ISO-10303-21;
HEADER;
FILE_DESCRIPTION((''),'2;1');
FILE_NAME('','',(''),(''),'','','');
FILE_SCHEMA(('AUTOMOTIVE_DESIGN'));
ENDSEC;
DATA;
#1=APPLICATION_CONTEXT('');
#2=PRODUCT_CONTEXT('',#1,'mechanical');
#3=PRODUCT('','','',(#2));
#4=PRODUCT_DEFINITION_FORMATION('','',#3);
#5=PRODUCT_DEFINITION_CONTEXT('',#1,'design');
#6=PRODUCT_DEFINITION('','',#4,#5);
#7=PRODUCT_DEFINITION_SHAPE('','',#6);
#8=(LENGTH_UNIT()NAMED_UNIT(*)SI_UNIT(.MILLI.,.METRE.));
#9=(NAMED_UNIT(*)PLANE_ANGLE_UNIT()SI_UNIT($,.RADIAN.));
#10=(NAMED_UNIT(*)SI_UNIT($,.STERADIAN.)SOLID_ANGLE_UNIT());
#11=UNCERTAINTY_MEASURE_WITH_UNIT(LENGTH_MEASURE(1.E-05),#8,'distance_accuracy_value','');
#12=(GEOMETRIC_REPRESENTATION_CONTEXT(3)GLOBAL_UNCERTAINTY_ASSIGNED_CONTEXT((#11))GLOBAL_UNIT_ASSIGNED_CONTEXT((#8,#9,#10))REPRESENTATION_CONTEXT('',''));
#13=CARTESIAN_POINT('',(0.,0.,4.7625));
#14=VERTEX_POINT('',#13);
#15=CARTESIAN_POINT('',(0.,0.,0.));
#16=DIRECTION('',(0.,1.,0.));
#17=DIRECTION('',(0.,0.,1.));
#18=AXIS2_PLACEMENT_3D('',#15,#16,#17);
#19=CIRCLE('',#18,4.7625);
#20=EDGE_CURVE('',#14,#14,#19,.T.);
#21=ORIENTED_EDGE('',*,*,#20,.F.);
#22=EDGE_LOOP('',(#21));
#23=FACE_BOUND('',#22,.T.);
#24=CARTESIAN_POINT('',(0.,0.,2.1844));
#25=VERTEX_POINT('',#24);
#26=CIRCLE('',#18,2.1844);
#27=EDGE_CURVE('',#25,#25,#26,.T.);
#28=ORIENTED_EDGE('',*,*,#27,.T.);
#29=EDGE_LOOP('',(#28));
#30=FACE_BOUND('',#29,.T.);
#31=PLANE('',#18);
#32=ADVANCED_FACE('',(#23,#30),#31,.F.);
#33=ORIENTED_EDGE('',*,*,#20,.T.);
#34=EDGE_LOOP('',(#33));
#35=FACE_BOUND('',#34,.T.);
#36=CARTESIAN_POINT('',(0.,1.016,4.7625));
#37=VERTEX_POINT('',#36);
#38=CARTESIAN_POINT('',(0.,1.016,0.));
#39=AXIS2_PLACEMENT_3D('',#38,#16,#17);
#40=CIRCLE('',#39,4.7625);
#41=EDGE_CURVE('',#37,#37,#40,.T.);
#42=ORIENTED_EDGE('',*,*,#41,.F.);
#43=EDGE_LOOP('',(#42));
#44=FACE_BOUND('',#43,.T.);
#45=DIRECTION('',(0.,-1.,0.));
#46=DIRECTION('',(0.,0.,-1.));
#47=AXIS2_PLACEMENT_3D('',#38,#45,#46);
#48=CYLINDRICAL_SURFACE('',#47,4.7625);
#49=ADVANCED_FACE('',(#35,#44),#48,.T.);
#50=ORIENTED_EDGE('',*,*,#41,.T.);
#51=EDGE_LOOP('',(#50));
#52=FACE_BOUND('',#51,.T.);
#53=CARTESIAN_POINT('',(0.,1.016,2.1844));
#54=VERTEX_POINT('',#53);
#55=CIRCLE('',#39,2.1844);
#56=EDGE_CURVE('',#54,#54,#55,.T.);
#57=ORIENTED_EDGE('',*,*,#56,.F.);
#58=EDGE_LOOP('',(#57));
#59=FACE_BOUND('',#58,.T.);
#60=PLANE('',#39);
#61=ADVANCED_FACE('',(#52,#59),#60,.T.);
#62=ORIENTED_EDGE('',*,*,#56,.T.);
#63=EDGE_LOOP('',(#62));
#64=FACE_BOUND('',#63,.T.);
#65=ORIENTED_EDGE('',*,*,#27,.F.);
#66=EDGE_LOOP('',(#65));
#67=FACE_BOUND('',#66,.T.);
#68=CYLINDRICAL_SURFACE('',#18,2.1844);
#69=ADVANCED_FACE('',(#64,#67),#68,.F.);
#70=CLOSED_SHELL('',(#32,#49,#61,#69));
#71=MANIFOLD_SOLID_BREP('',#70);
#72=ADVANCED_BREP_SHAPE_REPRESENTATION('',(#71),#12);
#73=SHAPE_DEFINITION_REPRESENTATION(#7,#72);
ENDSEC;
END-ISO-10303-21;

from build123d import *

# Parameters (mm, degrees)
SKETCH1_R           = 4.7625
BOSS_EXTRUDE1_DEPTH = 1.016
SKETCH5_R           = 2.1844
CUT_EXTRUDE1_DEPTH  = 2.016


with BuildPart() as part:
    # Sketch1 → Boss-Extrude1 (new body)
    with BuildSketch(Plane(origin=(0, 0, 0), x_dir=(1, 0, 0), z_dir=(0, 1, 0))):
        Circle(SKETCH1_R)
    extrude(amount=BOSS_EXTRUDE1_DEPTH)

    # Sketch5 → Cut-Extrude1 (cut, through all)
    with BuildSketch(Plane(origin=(0, 1.016, 0), x_dir=(-1, 0, 0), z_dir=(0, 1, 0))):
        Circle(SKETCH5_R)
    extrude(amount=-CUT_EXTRUDE1_DEPTH, mode=Mode.SUBTRACT)


solid = part.part
